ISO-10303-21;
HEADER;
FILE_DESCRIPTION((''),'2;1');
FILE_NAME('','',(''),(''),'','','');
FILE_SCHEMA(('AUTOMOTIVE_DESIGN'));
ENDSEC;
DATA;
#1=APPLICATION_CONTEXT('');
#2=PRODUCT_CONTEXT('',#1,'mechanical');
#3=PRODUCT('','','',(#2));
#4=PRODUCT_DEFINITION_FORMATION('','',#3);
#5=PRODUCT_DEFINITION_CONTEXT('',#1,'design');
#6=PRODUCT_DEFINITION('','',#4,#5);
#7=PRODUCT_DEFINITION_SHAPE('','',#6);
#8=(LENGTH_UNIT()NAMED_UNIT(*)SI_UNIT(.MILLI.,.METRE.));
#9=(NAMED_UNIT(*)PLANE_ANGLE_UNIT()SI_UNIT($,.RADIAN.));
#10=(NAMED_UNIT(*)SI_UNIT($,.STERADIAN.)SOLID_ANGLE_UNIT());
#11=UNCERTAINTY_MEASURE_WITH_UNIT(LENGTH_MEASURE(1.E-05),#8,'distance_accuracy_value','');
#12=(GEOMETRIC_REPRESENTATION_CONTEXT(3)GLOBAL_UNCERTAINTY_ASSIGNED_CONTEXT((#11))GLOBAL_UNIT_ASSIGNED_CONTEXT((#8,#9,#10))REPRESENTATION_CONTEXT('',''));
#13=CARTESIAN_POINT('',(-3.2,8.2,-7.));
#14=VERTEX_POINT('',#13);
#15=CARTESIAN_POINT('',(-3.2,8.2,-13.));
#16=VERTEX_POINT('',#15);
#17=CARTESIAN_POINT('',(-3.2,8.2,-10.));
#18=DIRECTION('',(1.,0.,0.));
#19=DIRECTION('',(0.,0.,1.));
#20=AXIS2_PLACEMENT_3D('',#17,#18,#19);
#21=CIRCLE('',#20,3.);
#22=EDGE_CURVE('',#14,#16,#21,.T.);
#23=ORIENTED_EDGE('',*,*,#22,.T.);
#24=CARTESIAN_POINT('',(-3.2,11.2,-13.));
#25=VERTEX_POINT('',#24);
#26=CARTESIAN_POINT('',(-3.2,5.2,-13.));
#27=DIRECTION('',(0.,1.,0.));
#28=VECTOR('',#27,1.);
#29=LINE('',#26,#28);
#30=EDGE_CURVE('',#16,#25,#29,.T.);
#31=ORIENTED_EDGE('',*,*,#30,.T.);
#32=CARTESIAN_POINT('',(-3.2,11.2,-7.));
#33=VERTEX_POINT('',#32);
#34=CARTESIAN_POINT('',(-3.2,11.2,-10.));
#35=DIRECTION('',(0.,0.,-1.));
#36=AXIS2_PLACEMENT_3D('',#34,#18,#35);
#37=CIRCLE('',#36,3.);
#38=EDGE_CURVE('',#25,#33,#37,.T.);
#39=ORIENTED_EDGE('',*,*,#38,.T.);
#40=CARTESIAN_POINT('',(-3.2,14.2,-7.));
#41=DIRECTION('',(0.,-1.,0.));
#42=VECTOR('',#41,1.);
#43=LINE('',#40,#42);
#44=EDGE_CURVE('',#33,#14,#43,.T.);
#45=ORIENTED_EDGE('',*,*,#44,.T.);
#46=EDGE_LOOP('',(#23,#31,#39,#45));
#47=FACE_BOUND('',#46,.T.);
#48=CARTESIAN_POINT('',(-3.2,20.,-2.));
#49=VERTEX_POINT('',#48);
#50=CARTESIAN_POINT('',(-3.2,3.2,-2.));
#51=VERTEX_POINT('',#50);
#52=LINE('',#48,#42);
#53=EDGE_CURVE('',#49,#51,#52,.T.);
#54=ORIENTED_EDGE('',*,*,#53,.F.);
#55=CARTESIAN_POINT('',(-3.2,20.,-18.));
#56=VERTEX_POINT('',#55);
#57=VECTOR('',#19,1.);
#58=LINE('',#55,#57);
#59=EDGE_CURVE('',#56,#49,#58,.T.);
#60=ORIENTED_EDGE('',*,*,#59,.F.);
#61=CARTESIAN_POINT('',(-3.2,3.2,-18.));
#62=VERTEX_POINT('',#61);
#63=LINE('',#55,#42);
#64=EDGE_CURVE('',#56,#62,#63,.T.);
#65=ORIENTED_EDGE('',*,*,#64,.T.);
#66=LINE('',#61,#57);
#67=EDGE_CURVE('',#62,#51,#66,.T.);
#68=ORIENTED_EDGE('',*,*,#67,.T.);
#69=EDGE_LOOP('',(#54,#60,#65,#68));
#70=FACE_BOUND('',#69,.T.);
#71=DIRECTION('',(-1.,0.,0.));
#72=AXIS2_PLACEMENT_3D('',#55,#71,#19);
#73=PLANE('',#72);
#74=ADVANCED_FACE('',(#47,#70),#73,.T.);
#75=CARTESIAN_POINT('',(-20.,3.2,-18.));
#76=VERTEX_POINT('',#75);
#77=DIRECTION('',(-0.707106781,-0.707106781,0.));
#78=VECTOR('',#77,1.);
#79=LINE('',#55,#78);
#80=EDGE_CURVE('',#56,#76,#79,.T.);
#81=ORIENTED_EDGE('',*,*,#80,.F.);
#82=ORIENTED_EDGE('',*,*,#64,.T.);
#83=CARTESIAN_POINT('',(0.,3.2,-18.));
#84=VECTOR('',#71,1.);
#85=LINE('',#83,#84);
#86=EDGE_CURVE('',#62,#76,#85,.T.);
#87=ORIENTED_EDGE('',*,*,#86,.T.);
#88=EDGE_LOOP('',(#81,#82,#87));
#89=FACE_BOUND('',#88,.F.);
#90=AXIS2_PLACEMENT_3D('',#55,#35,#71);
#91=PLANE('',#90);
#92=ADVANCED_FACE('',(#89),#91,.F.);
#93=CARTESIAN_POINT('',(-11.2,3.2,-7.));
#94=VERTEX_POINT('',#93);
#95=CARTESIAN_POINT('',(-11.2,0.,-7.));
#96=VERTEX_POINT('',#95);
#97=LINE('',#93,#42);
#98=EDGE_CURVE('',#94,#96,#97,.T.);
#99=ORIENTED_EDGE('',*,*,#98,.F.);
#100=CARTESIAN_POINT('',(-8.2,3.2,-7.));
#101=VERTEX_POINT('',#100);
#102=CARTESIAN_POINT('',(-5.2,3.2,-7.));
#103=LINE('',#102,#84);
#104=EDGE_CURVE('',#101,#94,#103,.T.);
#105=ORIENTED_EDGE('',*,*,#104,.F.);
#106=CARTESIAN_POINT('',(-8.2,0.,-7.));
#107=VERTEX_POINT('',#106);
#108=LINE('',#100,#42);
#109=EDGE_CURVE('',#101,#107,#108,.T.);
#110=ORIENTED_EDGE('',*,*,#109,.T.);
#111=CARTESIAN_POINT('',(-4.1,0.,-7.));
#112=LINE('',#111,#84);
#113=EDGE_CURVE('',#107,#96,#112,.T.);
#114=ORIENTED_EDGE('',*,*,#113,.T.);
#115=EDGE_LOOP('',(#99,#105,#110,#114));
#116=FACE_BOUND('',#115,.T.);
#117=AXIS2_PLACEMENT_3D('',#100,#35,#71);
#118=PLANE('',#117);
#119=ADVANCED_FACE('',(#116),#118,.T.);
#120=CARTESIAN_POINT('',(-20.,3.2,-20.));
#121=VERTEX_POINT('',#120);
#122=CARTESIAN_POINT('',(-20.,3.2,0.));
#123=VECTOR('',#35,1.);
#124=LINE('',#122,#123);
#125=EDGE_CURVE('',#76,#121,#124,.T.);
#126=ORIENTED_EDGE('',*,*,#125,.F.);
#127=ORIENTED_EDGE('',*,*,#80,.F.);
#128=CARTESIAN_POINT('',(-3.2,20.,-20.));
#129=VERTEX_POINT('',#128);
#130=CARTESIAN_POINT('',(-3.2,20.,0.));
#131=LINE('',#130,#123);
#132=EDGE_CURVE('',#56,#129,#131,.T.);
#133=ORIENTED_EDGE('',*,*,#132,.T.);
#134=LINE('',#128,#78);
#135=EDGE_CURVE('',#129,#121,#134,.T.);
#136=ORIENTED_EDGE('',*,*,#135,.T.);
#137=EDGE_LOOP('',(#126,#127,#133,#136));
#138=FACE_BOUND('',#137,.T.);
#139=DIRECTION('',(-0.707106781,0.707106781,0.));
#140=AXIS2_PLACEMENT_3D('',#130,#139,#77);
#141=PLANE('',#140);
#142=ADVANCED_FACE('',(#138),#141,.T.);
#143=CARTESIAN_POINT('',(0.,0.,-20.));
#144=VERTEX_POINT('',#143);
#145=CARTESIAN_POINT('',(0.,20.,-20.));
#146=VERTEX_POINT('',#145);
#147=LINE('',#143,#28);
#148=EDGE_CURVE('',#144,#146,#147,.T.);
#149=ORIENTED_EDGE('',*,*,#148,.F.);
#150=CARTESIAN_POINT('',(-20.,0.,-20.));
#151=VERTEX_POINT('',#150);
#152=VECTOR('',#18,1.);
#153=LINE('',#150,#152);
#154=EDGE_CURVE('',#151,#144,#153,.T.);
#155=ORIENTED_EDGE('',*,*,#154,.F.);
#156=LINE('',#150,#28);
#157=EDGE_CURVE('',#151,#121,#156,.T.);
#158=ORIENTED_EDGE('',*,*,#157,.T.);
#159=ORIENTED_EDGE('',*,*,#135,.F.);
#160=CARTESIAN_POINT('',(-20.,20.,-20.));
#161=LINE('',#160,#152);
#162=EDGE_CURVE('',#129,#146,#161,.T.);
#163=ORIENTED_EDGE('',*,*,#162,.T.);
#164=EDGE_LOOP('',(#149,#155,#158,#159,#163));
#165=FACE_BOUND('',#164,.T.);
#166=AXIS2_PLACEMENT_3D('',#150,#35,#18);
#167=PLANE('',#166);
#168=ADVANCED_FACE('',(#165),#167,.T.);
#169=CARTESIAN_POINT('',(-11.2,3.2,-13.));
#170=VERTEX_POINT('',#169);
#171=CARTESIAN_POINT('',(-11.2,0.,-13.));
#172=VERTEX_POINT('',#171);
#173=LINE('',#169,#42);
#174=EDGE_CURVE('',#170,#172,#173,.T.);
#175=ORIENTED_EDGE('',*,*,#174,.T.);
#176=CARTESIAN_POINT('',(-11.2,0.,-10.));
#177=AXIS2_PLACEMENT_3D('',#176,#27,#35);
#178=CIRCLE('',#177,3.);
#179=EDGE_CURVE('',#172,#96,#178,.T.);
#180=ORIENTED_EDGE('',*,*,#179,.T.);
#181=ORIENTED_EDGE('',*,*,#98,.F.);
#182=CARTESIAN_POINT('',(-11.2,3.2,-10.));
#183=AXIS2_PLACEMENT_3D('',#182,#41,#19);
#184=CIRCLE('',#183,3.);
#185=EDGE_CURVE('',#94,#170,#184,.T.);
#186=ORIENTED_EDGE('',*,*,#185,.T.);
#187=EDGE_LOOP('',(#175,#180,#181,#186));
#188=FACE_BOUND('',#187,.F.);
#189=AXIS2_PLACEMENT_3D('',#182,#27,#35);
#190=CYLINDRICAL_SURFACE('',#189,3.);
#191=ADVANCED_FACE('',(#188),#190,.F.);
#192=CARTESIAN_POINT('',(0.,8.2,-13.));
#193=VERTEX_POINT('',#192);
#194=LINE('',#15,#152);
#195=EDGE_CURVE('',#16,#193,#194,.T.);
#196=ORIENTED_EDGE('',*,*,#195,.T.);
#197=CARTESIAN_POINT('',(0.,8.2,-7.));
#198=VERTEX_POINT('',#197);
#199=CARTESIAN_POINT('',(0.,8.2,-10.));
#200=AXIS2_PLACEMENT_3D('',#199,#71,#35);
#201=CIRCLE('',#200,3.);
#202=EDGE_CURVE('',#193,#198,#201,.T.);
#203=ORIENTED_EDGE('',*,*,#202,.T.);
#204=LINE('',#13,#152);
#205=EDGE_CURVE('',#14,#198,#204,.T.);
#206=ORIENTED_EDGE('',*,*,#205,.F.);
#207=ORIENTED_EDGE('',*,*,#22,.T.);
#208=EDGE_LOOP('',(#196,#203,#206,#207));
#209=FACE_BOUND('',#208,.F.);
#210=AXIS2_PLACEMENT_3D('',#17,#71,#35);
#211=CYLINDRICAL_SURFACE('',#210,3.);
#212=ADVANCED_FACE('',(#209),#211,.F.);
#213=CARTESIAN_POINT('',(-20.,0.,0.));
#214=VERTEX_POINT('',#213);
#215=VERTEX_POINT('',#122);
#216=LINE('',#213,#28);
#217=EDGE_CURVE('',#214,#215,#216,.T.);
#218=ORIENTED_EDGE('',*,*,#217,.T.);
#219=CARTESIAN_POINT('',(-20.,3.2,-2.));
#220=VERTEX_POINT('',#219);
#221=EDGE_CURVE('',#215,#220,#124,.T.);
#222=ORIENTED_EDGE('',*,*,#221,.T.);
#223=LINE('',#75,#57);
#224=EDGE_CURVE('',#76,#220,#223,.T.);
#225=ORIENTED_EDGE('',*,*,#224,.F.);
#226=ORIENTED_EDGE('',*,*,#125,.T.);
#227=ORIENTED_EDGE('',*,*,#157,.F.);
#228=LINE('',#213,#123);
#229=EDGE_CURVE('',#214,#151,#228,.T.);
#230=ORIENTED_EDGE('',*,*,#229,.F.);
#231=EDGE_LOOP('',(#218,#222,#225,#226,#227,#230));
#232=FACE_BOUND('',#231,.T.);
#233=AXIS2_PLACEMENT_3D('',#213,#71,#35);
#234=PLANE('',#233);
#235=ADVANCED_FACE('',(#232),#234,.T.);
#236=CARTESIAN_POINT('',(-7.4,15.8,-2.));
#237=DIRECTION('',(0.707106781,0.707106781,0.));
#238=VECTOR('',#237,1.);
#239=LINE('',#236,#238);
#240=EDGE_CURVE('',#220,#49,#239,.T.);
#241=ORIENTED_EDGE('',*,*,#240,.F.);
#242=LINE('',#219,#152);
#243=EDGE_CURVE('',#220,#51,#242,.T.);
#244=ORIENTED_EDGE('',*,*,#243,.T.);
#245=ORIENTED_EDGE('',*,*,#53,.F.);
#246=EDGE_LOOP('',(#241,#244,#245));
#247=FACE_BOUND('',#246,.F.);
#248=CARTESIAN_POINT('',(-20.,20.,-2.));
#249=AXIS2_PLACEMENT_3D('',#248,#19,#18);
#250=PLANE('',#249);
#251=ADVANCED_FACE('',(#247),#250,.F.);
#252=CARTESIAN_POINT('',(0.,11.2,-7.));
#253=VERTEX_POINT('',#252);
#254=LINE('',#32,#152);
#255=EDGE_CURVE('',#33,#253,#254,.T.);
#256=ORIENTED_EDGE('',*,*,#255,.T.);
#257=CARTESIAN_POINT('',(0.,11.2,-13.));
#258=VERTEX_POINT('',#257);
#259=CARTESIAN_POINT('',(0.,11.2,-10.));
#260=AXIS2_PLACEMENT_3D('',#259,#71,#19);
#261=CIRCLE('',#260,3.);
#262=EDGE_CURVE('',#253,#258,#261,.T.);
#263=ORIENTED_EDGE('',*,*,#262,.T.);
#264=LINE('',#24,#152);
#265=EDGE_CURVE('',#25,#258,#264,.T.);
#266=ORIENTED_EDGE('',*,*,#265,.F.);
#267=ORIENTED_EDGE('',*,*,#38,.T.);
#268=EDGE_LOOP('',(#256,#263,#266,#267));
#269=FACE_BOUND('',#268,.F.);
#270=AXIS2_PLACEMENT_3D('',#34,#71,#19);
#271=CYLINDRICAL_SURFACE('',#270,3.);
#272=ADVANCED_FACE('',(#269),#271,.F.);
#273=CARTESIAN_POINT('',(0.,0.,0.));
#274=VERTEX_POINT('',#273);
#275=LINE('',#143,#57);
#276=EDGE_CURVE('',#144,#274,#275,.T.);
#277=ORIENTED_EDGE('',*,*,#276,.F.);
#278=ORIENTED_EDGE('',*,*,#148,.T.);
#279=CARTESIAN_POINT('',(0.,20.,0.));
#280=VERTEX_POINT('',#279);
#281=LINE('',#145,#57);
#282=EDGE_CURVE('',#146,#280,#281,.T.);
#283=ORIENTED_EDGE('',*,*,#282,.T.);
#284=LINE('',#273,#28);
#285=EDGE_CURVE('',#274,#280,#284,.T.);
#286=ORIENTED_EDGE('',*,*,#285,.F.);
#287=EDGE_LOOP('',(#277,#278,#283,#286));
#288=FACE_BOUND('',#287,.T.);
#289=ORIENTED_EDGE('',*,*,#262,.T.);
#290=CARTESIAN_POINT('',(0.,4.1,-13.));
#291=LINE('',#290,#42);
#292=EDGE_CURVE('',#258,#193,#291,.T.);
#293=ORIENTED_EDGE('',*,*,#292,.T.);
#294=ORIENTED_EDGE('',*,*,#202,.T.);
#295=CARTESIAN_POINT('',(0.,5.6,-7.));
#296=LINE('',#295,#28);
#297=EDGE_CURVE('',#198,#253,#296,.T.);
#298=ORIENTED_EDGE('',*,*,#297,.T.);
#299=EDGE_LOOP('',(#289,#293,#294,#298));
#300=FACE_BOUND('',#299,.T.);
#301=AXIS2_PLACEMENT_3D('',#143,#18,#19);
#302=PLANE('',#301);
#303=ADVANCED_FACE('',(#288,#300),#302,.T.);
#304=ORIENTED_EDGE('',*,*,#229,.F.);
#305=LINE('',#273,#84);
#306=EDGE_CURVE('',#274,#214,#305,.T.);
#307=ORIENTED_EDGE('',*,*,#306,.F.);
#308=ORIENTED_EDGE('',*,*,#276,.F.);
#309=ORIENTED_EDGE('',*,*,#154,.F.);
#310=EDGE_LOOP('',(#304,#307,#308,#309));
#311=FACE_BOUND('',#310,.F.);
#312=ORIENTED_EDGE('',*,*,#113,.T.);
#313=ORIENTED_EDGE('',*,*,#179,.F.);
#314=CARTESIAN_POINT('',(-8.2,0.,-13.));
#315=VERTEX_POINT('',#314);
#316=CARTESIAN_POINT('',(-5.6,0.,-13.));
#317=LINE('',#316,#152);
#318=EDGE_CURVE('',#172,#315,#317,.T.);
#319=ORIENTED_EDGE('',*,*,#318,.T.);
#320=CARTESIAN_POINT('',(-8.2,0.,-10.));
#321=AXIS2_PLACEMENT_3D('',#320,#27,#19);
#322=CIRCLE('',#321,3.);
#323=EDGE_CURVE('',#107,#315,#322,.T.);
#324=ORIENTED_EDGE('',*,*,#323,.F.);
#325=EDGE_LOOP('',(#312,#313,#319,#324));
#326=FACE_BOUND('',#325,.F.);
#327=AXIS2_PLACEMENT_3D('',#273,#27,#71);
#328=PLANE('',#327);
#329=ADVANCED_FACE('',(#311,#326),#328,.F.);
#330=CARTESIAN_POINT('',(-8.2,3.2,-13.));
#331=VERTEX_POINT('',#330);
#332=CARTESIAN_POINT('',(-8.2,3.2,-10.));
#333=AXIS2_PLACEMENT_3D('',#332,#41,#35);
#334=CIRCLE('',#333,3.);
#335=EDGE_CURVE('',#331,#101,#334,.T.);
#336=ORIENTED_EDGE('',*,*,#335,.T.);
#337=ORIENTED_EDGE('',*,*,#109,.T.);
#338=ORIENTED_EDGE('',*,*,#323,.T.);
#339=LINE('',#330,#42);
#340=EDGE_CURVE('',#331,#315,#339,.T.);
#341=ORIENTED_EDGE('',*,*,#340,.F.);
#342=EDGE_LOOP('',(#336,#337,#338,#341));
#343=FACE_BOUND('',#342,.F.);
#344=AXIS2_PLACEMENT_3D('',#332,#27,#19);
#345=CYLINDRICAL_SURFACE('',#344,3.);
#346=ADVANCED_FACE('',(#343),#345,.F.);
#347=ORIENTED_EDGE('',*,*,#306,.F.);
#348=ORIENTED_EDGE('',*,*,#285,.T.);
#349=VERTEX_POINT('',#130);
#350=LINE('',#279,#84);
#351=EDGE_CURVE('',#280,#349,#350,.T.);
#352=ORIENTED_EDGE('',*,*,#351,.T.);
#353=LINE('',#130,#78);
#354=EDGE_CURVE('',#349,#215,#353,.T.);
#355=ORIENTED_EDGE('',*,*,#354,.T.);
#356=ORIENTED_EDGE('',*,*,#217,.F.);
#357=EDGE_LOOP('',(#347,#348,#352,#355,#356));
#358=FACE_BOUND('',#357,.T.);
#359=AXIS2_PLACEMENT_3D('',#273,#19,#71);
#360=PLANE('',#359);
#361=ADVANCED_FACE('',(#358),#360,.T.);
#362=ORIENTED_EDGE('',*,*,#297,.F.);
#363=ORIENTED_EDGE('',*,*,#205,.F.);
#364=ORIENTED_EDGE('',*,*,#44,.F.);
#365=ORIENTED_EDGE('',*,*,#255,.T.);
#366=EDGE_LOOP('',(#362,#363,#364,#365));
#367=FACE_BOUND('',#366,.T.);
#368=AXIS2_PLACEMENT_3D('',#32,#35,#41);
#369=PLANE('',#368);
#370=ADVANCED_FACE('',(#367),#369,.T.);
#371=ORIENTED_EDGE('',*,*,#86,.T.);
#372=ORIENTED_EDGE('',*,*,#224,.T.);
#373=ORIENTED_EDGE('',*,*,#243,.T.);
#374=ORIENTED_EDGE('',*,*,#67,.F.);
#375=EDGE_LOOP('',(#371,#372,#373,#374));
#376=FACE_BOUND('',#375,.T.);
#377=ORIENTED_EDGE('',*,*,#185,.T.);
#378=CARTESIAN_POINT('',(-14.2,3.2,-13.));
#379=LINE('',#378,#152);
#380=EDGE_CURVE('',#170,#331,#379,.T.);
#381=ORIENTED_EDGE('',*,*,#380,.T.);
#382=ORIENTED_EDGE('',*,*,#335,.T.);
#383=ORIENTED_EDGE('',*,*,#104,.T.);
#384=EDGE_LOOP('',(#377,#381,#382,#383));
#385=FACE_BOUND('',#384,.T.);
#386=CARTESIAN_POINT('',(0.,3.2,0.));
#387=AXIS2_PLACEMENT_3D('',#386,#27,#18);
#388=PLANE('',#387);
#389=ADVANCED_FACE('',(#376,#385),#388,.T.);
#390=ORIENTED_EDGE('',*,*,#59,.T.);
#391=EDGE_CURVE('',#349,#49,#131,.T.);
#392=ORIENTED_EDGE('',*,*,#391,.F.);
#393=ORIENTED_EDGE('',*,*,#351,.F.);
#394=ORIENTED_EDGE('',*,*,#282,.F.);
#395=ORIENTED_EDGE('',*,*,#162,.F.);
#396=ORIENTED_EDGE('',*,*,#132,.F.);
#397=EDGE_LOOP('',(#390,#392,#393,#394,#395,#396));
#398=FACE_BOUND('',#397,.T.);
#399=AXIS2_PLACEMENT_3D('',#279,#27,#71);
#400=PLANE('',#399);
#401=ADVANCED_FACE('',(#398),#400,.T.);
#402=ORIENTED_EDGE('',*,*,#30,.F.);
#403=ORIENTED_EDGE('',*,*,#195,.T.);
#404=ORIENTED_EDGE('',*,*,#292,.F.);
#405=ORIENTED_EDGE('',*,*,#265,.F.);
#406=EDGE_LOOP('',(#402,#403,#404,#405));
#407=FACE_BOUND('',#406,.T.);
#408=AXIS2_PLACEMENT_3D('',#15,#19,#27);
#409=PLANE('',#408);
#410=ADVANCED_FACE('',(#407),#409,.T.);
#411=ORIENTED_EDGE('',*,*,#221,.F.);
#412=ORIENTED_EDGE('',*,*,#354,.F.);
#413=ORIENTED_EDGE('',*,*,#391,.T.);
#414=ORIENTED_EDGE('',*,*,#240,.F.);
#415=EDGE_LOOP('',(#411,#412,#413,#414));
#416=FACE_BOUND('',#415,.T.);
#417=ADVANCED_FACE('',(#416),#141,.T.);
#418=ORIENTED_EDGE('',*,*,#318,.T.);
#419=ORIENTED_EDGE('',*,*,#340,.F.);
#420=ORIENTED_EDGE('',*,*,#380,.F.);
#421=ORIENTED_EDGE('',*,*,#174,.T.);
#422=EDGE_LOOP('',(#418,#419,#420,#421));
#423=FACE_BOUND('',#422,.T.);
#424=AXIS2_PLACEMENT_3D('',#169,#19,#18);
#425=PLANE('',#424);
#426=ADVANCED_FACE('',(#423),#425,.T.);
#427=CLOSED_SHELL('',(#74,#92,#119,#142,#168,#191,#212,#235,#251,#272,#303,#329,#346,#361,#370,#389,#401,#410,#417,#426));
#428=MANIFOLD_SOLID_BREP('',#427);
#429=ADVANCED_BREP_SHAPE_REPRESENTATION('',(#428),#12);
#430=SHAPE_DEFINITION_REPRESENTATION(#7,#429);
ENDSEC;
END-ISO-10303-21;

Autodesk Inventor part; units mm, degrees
ref_plane "YZ Plane" through (0, 0, 0) normal (1, 0, 0) x (0, 1, 0)
ref_plane "XZ Plane" through (0, 0, 0) normal (0, 1, 0) x (-1, 0, 0)
ref_plane "XY Plane" through (0, 0, 0) normal (0, 0, 1) x (1, 0, 0)
sketch "Sketch1" plane through (0, 0, 0) normal (0, 1, 0) x (-1, 0, 0)
  line L0 (0, 0) -> (20, 0)
  line L1 (20, 0) -> (20, -20)
  line L2 (20, -20) -> (0, -20)
  line L3 (0, -20) -> (0, 0)
  dimension "d0" = 20
  dimension "d1" = 20
extrude "Extrusion1" add sketch "Sketch1" along normal blind 20
sketch "Sketch2" plane through (-20, 0, 0) normal (0, 0, 1) x (1, 0, 0)
  line L0 (20, 0) -> (0, 0) projected
  line L1 (20, 0) -> (20, 20) projected
  line L2 (20, 20) -> (0, 20) projected
  line L3 (0, 20) -> (16.8, 20)
  line L4 (0, 0) -> (0, 20) projected
  line L5 (1.6773, 3.2839) -> (0, 3.1156)
  line L6 (0, 20) -> (0, 3.2)
  line L7 (16.8, 20) -> (0, 3.2)
  dimension "d6" = 16.8
  dimension "d9" = 16.8
extrude "Extrusion3" cut sketch "Sketch2" against normal blind 20 contours L7 L4 L2
sketch "Sketch3" plane through (0, 20, 0) normal (0, 1, 0) x (1, 0, 0)
  line L0 (0, 18) -> (-20, 18)
  line L1 (-20, 18) -> (-20, 2)
  line L2 (-20, 2) -> (0, 2)
  line L3 (0, 2) -> (0, 18)
  line L4 (-20, 20) -> (-3.2, 20) projected
  line L5 (-4, 18) -> (12, 18) construction
  line L6 (0, 18) -> (0, 2)
  line L7 (-3.2, 18) -> (-3.2, 2)
  point P0 (-20, 10)
  dimension "d12" = 16
  dimension "d13" = 2
extrude "Extrusion4" cut sketch "Sketch3" against normal blind 16.8 contours L7 L2 L1 L0
sketch "Sketch4" plane through (0, 3.2, 0) normal (0, 1, 0) x (1, 0, 0)
  line L0 (-14.2, 13) -> (-5.2, 13)
  line L1 (-5.2, 13) -> (-5.2, 7)
  line L2 (-5.2, 7) -> (-14.2, 7)
  line L3 (-14.2, 7) -> (-14.2, 13)
  line L4 (-3.2, 18) -> (-3.2, 2) projected
  arc A0 (-8.2, 7) -> (-8.2, 13) centre (-8.2, 10) ccw
  line L5 (-18, 13.026) -> (-18, 7.026)
  line L6 (-20, 2) -> (-20, 18) projected
  ellipse E0 centre (-14.2, 10) end of major axis (-18, 10) minor radius 3 (-14.2, 13) -> (-14.2, 7) ccw
  arc A1 (-11.2, 13) -> (-11.2, 7) centre (-11.2, 10) ccw
  line L7 (-5.2, 10) -> (-18, 10)
  line L8 (-20, 18) -> (-3.2, 18) projected
  point P0 (0, 0)
  dimension "d18" = 6
  dimension "d19" = 9
  dimension "d20" = 2
  dimension "d21" = 6
  dimension "d22" = 2
  dimension "d40" = 8
extrude "Extrusion5" cut sketch "Sketch4" against normal blind 16.8 contours L0 A0 L7 A1 | L7 A0 L2 A1
sketch "Sketch8" plane through (-3.2, 0.3648, -21.4635) normal (-1, 0, 0) x (0, -1, 0)
  line L0 (-13.8352, 14.4635) -> (-4.8352, 14.4635)
  line L1 (-4.8352, 14.4635) -> (-4.8352, 8.4635)
  line L2 (-4.8352, 8.4635) -> (-13.8352, 8.4635)
  line L3 (-13.8352, 8.4635) -> (-13.8352, 14.4635)
  line L4 (-2.8352, 18) -> (-2.8352, 2)
  arc A0 (-7.8352, 8.4635) -> (-7.8352, 14.4635) centre (-7.8352, 11.4635) ccw
  line L5 (-18, 13.026) -> (-18, 7.026)
  line L6 (-20, 2) -> (-20, 18)
  ellipse E0 centre (-13.8352, 11.4635) end of major axis (-18, 11.4635) minor radius 3 (-13.8352, 14.4635) -> (-13.8352, 8.4635) ccw
  arc A1 (-10.8352, 14.4635) -> (-10.8352, 8.4635) centre (-10.8352, 11.4635) ccw
  line L7 (-4.8352, 11.4635) -> (-18, 11.4635)
  line L8 (-2.8352, 19.4635) -> (-2.8352, 3.4635) projected
  line L9 (-19.6352, 19.4635) -> (-2.8352, 19.4635) projected
  point P0 (0, 0)
  dimension "d34" = 6
  dimension "d33" = 9
  dimension "d32" = 2
  dimension "d31" = 6
  dimension "d30" = 2
  dimension "d38" = 0
  dimension "d39" = 5
extrude "Extrusion7" cut sketch "Sketch8" against normal blind 16.8 contours L0 A0 L7 A1 | L7 A0 L2 A1
properties part number "Al_Bracket"
